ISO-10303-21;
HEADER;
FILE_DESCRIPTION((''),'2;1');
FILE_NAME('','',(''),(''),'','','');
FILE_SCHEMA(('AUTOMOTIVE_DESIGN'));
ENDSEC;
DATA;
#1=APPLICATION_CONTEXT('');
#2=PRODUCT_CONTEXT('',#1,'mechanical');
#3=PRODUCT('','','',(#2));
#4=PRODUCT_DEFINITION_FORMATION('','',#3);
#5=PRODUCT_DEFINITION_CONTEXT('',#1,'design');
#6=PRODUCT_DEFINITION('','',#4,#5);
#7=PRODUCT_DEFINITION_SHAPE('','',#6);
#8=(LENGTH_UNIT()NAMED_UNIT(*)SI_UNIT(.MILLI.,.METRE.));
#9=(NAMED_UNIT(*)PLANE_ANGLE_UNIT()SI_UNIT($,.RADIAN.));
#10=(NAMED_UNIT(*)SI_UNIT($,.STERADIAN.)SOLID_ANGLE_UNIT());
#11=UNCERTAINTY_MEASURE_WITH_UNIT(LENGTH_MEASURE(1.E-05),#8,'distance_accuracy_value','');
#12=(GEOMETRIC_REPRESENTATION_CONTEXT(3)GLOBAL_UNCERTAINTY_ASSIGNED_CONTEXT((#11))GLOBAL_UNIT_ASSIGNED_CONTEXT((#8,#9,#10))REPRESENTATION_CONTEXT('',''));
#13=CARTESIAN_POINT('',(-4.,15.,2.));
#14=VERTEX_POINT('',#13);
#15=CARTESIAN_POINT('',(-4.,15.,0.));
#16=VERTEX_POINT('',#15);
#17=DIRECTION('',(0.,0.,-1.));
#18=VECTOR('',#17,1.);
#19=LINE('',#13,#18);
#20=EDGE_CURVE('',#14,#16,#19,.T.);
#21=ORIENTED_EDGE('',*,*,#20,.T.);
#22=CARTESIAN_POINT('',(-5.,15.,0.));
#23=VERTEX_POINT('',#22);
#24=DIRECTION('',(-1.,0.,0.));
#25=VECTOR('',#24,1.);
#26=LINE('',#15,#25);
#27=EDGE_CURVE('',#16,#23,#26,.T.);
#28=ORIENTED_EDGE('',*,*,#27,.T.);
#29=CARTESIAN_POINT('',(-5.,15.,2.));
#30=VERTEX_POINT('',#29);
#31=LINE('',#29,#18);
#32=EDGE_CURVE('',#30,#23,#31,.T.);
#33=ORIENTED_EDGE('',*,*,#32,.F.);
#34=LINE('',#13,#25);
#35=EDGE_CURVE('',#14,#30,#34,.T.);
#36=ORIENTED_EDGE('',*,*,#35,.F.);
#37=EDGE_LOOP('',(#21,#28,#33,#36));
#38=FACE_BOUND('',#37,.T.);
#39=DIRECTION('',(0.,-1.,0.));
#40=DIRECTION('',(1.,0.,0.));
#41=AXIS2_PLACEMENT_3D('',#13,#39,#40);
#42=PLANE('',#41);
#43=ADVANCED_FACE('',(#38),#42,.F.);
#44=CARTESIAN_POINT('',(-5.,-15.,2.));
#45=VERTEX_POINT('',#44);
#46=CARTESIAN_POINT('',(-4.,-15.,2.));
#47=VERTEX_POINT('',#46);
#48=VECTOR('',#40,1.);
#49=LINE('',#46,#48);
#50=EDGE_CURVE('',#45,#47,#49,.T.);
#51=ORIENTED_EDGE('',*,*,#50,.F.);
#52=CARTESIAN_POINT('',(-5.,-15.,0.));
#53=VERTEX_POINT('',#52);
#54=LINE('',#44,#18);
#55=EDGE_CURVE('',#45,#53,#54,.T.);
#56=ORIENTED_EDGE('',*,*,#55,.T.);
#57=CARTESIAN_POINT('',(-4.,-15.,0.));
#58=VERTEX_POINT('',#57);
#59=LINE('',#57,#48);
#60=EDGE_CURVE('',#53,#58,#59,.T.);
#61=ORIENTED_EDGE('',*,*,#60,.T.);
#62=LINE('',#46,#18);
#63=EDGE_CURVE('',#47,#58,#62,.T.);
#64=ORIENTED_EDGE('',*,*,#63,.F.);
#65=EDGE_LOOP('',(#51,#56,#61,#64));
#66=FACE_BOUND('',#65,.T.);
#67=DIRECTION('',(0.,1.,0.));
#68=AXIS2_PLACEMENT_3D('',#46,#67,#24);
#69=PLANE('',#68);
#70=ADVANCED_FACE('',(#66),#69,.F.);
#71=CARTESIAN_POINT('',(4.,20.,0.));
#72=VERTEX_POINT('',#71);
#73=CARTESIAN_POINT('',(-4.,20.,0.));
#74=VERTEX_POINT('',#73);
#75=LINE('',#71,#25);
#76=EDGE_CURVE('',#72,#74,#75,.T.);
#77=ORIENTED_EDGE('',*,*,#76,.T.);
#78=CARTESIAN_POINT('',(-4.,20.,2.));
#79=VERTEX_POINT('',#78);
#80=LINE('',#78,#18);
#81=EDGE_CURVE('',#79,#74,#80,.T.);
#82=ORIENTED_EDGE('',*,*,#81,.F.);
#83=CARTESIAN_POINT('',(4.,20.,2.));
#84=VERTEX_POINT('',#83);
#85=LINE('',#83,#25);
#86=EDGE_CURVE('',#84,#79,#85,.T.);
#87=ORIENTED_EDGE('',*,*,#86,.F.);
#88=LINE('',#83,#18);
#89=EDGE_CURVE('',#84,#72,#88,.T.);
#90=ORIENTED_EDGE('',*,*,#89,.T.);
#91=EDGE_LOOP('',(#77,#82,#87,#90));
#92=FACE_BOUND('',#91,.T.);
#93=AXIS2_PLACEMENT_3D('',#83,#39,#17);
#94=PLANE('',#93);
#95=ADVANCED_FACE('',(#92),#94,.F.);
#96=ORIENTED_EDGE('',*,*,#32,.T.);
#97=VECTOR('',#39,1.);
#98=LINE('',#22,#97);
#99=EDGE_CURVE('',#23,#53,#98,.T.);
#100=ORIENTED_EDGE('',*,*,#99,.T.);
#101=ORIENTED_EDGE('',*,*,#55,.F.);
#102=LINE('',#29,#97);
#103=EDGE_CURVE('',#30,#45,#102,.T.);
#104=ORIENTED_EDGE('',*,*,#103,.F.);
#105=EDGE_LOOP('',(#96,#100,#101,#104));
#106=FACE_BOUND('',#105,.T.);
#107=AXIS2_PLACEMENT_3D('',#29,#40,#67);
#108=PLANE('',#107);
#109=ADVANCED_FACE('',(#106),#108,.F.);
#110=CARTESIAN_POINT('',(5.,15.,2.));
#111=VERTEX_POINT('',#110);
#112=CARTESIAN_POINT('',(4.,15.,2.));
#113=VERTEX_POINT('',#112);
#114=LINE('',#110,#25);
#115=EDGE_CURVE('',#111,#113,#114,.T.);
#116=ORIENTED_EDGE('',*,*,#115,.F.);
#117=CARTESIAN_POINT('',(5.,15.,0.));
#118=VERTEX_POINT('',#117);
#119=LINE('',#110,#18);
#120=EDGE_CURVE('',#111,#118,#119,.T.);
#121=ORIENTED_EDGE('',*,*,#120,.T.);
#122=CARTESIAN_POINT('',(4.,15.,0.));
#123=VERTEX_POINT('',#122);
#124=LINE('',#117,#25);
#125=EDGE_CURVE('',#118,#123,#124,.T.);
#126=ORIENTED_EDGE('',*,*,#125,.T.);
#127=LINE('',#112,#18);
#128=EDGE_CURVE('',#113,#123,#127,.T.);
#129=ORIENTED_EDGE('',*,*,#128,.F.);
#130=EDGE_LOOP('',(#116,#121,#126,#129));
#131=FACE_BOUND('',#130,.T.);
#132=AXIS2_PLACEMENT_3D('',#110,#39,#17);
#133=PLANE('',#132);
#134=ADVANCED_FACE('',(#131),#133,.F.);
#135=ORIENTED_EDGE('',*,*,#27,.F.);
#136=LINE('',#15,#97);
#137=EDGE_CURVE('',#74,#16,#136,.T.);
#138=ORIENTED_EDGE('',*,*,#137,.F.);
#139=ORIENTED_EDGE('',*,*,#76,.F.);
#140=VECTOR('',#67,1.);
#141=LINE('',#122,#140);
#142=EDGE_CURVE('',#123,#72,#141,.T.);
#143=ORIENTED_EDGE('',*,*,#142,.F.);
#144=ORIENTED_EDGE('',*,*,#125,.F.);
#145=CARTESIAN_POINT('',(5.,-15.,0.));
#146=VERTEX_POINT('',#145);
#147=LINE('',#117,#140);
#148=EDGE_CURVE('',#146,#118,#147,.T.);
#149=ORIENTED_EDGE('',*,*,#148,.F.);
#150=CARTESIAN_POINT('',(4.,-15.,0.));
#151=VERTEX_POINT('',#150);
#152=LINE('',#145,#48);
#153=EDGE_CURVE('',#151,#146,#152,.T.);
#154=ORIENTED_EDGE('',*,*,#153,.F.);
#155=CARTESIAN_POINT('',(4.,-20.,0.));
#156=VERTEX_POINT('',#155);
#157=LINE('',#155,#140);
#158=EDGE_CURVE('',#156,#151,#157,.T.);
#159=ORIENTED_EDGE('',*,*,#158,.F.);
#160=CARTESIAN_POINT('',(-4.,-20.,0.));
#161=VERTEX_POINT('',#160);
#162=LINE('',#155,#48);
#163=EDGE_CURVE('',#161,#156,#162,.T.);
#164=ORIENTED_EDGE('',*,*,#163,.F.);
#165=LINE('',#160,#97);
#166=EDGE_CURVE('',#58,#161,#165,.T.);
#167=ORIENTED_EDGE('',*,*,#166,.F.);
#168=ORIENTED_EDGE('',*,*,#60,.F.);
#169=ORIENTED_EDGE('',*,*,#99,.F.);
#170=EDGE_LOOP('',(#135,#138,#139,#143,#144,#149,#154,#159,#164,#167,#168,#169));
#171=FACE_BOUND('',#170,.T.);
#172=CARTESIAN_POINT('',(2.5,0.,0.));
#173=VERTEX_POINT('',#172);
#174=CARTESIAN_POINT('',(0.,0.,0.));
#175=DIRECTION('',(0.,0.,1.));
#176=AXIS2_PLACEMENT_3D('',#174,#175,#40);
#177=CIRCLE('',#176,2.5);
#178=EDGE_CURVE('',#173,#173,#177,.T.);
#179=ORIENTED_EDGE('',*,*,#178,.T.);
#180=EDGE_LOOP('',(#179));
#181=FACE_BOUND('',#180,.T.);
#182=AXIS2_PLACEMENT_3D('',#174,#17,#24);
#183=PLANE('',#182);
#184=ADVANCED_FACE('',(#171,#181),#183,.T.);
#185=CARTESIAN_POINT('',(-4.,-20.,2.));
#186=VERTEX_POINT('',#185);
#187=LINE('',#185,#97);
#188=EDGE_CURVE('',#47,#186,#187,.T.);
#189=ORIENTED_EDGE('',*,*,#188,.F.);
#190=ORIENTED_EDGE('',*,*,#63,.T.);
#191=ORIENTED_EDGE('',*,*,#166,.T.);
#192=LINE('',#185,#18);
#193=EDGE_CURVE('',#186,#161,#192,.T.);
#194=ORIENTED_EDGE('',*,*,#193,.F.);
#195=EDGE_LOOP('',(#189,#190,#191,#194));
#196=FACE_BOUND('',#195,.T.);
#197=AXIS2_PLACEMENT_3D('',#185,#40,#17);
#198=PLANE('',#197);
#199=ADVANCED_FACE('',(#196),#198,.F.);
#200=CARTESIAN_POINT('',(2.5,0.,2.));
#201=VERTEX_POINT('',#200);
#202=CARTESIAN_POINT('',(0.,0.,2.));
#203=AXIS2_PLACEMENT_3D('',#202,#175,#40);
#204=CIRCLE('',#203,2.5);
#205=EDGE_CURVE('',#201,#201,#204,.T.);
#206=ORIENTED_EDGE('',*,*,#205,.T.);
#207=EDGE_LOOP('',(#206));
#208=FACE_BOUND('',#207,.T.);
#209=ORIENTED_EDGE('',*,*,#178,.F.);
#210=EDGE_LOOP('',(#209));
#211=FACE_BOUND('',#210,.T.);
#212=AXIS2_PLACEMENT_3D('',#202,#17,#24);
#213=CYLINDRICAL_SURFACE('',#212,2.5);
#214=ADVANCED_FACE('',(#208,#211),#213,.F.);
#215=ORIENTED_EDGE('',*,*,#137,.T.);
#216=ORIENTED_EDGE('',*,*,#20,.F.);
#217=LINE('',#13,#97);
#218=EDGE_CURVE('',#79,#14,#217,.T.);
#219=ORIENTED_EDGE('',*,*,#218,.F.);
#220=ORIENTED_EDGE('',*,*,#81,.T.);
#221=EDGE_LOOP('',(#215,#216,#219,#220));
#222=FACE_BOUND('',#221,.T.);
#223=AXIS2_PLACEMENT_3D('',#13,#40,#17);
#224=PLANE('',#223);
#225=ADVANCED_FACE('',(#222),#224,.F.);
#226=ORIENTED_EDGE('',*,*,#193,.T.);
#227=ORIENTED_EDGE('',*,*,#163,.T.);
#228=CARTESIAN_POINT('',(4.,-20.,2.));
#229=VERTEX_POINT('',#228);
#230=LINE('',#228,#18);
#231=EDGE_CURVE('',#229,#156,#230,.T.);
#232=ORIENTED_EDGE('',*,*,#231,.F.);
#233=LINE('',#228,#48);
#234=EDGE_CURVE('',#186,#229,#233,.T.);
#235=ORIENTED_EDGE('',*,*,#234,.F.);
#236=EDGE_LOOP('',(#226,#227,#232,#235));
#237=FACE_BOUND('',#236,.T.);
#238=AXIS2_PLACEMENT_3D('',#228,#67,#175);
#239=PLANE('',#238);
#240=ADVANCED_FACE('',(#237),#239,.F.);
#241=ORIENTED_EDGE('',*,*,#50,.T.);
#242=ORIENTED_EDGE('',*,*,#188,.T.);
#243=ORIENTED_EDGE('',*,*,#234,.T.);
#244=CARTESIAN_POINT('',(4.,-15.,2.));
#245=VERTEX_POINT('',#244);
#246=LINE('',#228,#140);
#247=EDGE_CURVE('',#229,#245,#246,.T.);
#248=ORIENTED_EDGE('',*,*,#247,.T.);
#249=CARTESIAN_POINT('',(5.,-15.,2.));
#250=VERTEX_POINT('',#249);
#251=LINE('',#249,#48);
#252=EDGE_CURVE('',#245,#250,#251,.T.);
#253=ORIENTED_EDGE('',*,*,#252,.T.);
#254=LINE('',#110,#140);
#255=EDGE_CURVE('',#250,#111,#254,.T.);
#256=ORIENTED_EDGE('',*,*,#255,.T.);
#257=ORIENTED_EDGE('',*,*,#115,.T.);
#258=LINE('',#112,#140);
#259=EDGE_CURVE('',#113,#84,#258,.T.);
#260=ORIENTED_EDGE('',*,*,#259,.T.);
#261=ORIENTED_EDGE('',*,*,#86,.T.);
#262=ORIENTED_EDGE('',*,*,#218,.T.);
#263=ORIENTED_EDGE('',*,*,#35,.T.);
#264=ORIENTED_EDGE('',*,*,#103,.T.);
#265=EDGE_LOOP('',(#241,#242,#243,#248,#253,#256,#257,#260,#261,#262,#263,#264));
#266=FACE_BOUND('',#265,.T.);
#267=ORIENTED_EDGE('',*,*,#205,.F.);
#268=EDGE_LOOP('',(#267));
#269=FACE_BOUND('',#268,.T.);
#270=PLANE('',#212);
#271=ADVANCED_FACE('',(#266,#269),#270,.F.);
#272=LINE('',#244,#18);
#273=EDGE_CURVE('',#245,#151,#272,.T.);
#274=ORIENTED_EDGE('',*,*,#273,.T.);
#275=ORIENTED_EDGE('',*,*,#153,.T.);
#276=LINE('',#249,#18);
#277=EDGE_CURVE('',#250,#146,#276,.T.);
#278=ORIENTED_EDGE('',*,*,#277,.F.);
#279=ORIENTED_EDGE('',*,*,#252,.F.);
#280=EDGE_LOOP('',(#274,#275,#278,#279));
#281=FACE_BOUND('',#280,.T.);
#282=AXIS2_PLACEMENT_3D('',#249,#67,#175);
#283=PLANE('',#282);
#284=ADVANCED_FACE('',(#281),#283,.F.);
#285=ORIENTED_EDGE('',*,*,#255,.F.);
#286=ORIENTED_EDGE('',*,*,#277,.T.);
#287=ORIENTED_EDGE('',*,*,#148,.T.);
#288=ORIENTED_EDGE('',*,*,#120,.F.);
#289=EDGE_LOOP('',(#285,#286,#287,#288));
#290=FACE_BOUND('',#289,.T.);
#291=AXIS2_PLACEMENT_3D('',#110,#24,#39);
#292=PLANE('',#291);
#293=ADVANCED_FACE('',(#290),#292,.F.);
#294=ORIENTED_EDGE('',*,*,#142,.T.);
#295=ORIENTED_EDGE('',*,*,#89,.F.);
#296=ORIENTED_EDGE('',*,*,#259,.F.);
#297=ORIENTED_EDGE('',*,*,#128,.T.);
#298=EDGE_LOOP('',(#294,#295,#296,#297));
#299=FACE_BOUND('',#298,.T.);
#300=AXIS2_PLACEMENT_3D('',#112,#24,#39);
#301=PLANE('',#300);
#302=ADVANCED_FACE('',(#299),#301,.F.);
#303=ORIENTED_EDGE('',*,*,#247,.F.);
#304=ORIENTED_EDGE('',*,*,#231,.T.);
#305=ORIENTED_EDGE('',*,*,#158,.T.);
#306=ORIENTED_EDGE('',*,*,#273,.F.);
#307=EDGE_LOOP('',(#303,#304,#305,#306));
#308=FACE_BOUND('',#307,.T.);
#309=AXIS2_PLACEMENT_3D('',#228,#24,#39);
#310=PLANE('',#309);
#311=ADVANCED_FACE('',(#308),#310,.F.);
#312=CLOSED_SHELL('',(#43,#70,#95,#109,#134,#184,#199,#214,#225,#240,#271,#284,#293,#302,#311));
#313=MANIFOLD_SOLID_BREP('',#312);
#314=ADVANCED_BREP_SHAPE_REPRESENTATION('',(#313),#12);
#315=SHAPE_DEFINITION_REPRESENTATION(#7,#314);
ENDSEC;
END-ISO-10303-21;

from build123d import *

# Parameters (mm, degrees)
SKETCH1_R           = 2.5
BOSS_EXTRUDE1_DEPTH = 2


with BuildPart() as part:
    # Sketch1 → Boss-Extrude1 (new body)
    with BuildSketch(Plane.XY):
        Polygon((-4, -15), (-5, -15), (-5, 15), (-4, 15), (-4, 20), (4, 20), (4, 15), (5, 15), (5, -15), (4, -15), (4, -20), (-4, -20), align=None)
        Circle(SKETCH1_R, mode=Mode.SUBTRACT)
    extrude(amount=BOSS_EXTRUDE1_DEPTH)


solid = part.part
